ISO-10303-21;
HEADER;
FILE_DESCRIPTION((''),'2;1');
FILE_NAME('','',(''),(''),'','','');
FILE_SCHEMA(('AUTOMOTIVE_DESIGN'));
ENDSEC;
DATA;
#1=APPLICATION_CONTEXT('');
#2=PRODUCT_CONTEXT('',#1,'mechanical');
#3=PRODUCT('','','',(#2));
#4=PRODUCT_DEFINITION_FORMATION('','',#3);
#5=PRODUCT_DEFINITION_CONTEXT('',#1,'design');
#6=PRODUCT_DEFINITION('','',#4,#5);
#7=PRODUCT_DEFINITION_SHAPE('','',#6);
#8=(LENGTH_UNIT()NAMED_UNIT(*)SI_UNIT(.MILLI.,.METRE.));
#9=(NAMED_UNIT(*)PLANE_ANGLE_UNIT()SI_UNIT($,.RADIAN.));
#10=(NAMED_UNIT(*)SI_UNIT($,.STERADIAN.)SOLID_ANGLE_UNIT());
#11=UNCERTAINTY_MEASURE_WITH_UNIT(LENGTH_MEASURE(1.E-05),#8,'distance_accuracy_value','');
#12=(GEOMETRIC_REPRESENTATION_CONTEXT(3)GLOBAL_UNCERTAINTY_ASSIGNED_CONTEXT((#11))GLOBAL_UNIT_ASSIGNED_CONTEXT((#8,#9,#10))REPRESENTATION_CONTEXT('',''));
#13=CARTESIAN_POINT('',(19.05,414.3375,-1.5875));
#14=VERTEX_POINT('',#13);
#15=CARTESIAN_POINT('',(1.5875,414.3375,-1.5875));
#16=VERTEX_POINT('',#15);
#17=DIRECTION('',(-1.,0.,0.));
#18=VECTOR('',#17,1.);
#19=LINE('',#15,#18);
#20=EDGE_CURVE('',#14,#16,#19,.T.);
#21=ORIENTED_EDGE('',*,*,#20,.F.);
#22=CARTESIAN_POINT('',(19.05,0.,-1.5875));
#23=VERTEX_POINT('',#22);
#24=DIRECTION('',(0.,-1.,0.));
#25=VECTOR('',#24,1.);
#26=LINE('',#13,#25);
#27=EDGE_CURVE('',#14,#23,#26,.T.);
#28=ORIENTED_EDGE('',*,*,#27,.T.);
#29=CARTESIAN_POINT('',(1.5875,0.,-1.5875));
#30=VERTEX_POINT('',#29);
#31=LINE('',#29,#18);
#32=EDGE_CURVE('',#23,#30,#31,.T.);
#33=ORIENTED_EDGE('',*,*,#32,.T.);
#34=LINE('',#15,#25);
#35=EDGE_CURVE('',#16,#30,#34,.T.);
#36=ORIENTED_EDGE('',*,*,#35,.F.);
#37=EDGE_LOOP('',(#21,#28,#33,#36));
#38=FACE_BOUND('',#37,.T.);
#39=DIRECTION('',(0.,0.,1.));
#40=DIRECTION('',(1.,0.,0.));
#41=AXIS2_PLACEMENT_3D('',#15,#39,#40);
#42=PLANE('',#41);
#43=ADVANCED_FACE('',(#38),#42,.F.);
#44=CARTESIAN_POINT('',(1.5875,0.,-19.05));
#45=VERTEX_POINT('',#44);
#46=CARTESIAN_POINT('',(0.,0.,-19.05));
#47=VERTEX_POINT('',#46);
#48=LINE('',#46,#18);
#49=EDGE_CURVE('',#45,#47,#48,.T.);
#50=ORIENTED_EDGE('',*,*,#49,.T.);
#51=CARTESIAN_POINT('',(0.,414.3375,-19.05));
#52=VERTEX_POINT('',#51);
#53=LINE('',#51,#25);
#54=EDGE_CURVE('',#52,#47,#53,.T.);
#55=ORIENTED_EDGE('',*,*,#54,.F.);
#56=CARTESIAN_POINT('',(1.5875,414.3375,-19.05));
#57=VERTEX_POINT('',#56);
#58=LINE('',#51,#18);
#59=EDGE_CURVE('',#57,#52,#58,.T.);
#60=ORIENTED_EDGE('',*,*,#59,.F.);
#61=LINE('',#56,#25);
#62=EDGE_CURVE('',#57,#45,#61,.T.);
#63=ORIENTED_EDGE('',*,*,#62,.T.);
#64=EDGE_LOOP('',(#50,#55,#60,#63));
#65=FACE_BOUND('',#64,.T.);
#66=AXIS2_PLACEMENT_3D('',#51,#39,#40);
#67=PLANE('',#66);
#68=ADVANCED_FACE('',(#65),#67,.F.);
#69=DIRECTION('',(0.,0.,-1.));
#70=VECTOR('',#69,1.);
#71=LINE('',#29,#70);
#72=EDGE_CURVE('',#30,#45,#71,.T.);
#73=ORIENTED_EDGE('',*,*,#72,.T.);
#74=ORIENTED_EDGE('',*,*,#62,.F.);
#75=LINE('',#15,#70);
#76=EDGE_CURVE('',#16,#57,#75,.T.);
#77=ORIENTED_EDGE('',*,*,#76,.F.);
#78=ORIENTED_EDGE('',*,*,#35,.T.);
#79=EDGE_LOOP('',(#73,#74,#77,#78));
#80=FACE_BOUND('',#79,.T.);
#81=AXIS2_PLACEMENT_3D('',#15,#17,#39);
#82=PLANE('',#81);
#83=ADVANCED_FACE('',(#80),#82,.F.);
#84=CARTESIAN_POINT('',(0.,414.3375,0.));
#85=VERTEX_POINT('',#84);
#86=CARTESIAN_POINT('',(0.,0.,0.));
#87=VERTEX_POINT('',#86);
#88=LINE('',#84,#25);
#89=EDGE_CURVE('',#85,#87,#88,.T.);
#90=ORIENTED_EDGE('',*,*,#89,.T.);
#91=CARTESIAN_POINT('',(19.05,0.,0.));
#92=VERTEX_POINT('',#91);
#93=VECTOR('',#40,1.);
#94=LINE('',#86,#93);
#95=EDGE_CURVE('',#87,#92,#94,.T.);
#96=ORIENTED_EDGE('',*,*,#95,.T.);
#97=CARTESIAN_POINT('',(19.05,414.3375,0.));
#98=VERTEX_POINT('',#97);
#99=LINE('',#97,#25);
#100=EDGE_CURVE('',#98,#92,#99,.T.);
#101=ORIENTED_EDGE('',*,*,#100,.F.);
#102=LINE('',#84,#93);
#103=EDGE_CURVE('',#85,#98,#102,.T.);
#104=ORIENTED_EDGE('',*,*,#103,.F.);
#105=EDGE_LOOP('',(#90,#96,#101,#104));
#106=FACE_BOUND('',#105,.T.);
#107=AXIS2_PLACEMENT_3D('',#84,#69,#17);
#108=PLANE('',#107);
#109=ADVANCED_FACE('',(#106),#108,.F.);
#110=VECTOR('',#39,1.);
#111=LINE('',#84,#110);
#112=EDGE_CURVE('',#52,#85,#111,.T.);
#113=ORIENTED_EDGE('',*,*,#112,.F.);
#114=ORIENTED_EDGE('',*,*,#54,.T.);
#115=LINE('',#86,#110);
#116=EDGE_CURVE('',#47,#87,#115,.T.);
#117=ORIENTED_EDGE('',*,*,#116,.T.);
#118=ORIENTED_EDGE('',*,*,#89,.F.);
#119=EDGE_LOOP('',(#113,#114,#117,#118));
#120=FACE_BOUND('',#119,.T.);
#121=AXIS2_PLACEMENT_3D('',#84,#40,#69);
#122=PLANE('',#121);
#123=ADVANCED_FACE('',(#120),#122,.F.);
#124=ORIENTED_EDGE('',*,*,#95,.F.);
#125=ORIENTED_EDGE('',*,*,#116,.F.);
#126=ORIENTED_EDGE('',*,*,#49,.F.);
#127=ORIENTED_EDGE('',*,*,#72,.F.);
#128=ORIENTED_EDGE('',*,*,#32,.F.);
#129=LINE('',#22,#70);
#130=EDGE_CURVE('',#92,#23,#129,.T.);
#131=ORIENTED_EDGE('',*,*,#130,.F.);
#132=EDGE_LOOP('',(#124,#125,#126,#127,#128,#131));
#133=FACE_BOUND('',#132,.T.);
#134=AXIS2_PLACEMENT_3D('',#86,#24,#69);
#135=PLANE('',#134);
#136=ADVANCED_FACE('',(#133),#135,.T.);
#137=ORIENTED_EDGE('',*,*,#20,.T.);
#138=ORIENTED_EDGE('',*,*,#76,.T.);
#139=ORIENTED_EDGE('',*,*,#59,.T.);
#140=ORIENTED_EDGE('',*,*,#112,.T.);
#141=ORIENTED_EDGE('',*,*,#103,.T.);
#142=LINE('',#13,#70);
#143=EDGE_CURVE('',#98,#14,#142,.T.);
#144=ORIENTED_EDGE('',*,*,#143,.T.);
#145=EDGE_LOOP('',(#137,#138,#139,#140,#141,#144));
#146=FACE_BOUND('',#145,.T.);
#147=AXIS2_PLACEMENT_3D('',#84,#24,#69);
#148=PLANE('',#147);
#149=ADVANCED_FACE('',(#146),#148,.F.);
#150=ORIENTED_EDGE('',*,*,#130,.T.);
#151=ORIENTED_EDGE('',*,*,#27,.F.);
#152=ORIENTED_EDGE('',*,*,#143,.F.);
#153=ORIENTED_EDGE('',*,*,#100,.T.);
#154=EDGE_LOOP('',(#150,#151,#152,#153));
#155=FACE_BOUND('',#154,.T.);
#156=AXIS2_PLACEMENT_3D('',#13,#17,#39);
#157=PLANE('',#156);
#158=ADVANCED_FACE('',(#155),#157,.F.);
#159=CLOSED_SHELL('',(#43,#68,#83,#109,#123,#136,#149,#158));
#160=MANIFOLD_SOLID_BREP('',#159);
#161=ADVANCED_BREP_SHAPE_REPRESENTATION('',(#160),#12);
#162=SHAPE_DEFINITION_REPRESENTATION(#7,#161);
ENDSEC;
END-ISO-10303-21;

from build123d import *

# Parameters (mm, degrees)
BOSS_EXTRUDE1_DEPTH = 414.3375


with BuildPart() as part:
    # Sketch1 → Boss-Extrude1 (new body)
    with BuildSketch(Plane(origin=(0, 0, 0), x_dir=(1, 0, 0), z_dir=(0, 1, 0))):
        Polygon((0, 0), (19.05, 0), (19.05, 1.5875), (1.5875, 1.5875), (1.5875, 19.05), (0, 19.05), align=None)
    extrude(amount=BOSS_EXTRUDE1_DEPTH)


solid = part.part
